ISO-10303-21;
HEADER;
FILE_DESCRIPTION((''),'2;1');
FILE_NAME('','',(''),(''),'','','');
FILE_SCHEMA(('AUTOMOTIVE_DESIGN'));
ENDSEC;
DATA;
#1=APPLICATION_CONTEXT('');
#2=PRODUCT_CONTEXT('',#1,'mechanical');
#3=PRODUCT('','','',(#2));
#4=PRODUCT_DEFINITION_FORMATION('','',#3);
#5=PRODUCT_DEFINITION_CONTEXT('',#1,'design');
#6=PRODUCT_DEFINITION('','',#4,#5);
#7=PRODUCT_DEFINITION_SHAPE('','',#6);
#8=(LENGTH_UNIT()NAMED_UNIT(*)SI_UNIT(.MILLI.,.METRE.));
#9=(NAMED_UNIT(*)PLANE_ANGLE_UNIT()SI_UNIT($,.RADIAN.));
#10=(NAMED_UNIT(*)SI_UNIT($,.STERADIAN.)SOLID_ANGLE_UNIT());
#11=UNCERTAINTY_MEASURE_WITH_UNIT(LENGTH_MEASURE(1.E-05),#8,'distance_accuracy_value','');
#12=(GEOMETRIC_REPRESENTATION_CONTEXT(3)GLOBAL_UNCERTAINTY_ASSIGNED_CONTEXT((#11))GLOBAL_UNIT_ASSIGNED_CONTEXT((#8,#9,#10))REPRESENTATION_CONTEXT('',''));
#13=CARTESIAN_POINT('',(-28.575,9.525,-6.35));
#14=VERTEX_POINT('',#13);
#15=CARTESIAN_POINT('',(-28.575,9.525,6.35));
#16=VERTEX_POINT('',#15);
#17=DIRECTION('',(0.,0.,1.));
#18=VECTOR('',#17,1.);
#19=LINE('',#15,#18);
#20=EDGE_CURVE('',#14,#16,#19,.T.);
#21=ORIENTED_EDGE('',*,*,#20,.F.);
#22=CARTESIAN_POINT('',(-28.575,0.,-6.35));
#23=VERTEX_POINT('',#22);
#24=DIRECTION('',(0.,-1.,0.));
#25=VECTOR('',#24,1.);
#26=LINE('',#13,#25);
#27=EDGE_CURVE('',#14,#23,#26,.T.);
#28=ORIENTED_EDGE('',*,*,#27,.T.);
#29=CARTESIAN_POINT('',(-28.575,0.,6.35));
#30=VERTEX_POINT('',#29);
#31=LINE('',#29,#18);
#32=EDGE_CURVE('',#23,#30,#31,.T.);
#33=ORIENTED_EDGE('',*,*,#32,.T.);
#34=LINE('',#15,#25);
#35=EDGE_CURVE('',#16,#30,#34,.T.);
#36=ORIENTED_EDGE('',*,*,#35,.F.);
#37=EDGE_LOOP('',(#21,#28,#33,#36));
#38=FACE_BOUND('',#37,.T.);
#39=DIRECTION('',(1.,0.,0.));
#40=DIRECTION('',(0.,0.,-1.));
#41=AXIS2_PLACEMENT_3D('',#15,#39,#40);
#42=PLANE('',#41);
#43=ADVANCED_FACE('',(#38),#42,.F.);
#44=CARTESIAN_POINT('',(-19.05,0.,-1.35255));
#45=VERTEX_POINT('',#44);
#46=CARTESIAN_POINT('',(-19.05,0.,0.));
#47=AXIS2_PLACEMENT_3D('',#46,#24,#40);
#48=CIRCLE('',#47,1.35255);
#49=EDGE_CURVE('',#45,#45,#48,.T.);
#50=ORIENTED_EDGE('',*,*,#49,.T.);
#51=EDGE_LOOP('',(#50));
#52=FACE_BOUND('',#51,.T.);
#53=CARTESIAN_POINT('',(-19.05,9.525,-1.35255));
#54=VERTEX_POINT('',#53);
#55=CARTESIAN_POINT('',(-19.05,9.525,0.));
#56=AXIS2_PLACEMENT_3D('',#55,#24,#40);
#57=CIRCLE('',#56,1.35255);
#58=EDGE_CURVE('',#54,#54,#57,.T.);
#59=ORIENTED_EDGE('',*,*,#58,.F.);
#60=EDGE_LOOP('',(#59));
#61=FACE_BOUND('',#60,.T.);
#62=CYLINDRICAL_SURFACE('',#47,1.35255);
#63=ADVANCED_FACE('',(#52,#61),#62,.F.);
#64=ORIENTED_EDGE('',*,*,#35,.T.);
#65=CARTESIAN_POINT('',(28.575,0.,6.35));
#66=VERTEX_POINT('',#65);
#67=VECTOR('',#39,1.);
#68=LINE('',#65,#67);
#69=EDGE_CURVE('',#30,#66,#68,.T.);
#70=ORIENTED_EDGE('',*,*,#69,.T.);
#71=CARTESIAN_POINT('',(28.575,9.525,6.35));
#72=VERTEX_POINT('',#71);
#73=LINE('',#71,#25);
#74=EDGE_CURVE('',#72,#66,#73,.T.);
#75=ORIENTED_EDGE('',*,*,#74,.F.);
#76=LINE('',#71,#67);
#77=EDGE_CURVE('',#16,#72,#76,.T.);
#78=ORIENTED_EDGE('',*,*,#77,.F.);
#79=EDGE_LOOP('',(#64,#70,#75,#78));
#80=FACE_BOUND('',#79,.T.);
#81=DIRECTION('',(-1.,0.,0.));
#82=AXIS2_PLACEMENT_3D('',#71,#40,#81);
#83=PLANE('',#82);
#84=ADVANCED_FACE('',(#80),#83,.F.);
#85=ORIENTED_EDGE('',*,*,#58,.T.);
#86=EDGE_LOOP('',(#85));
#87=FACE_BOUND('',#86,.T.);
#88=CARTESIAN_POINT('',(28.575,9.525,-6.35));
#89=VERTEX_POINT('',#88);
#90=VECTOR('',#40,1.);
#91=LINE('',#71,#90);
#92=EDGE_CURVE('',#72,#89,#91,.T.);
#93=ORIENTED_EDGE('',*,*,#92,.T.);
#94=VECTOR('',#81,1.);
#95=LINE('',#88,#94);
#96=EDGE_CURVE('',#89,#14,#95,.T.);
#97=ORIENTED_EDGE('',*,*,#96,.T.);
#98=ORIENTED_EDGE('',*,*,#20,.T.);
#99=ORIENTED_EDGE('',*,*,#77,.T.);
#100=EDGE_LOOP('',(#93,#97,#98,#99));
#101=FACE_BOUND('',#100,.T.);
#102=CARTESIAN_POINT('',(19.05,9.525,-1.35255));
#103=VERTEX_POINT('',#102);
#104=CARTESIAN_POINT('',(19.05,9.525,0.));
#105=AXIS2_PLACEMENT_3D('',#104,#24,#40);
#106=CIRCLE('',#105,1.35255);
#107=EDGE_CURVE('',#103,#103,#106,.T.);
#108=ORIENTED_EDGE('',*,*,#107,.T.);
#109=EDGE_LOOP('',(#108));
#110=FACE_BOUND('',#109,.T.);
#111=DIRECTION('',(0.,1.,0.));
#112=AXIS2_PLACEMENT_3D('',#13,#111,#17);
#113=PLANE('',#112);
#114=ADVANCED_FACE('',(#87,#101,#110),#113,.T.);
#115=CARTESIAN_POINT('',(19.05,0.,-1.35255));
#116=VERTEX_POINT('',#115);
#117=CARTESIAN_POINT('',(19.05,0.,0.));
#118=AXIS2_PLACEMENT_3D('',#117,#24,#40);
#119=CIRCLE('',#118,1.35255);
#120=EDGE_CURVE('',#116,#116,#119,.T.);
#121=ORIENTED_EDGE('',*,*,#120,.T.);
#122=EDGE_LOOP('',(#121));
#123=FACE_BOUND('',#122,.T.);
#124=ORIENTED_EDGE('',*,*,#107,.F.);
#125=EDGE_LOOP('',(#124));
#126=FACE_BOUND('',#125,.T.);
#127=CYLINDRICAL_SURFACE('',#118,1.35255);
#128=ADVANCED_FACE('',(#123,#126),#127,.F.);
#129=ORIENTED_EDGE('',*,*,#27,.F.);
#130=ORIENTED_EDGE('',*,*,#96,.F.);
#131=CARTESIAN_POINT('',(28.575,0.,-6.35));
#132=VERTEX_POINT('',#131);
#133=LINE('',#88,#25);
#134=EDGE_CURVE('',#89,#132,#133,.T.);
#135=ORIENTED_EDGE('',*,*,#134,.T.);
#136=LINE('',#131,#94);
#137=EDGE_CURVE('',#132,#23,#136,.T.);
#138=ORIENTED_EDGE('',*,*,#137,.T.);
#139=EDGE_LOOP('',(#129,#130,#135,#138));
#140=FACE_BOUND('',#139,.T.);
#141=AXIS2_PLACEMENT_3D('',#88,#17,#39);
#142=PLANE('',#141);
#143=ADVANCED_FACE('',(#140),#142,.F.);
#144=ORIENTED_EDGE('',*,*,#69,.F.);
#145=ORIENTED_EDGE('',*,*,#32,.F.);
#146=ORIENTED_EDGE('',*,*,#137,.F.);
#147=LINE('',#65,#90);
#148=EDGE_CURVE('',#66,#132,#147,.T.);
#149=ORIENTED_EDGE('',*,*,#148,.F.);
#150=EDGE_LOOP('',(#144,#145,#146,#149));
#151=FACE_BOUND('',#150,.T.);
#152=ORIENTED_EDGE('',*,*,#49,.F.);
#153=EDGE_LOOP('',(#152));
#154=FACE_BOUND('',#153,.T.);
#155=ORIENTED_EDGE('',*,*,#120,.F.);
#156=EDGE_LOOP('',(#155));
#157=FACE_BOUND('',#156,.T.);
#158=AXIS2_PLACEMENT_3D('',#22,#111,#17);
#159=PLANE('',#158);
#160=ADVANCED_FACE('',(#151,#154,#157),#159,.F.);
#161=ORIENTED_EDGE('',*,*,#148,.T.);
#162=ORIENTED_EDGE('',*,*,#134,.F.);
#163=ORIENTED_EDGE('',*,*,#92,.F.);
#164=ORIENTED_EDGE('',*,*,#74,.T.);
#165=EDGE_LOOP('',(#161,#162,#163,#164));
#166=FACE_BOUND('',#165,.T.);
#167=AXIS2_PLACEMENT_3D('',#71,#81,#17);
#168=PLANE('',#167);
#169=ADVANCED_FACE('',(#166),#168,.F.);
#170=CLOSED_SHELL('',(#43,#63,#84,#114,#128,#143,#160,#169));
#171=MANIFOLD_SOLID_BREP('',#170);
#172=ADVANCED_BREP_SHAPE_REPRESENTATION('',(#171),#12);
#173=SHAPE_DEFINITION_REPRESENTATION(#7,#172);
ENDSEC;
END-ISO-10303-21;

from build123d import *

# Parameters (mm, degrees)
SKETCH1_W             = 57.15
SKETCH1_H             = 12.7
BOSS_EXTRUDE1_DEPTH   = 9.525
F_6_32_TAPPED_HOLE1_D = 2.7051


with BuildPart() as part:
    # Sketch1 → Boss-Extrude1 (new body)
    with BuildSketch(Plane(origin=(0, 0, 0), x_dir=(1, 0, 0), z_dir=(0, 1, 0))):
        Rectangle(SKETCH1_W, SKETCH1_H)
    extrude(amount=BOSS_EXTRUDE1_DEPTH)

    # #6-32 Tapped Hole1 (through all)
    with Locations(Plane.XZ):
        with Locations((19.05, 0), (-19.05, 0)):
            Hole(F_6_32_TAPPED_HOLE1_D / 2)


solid = part.part
